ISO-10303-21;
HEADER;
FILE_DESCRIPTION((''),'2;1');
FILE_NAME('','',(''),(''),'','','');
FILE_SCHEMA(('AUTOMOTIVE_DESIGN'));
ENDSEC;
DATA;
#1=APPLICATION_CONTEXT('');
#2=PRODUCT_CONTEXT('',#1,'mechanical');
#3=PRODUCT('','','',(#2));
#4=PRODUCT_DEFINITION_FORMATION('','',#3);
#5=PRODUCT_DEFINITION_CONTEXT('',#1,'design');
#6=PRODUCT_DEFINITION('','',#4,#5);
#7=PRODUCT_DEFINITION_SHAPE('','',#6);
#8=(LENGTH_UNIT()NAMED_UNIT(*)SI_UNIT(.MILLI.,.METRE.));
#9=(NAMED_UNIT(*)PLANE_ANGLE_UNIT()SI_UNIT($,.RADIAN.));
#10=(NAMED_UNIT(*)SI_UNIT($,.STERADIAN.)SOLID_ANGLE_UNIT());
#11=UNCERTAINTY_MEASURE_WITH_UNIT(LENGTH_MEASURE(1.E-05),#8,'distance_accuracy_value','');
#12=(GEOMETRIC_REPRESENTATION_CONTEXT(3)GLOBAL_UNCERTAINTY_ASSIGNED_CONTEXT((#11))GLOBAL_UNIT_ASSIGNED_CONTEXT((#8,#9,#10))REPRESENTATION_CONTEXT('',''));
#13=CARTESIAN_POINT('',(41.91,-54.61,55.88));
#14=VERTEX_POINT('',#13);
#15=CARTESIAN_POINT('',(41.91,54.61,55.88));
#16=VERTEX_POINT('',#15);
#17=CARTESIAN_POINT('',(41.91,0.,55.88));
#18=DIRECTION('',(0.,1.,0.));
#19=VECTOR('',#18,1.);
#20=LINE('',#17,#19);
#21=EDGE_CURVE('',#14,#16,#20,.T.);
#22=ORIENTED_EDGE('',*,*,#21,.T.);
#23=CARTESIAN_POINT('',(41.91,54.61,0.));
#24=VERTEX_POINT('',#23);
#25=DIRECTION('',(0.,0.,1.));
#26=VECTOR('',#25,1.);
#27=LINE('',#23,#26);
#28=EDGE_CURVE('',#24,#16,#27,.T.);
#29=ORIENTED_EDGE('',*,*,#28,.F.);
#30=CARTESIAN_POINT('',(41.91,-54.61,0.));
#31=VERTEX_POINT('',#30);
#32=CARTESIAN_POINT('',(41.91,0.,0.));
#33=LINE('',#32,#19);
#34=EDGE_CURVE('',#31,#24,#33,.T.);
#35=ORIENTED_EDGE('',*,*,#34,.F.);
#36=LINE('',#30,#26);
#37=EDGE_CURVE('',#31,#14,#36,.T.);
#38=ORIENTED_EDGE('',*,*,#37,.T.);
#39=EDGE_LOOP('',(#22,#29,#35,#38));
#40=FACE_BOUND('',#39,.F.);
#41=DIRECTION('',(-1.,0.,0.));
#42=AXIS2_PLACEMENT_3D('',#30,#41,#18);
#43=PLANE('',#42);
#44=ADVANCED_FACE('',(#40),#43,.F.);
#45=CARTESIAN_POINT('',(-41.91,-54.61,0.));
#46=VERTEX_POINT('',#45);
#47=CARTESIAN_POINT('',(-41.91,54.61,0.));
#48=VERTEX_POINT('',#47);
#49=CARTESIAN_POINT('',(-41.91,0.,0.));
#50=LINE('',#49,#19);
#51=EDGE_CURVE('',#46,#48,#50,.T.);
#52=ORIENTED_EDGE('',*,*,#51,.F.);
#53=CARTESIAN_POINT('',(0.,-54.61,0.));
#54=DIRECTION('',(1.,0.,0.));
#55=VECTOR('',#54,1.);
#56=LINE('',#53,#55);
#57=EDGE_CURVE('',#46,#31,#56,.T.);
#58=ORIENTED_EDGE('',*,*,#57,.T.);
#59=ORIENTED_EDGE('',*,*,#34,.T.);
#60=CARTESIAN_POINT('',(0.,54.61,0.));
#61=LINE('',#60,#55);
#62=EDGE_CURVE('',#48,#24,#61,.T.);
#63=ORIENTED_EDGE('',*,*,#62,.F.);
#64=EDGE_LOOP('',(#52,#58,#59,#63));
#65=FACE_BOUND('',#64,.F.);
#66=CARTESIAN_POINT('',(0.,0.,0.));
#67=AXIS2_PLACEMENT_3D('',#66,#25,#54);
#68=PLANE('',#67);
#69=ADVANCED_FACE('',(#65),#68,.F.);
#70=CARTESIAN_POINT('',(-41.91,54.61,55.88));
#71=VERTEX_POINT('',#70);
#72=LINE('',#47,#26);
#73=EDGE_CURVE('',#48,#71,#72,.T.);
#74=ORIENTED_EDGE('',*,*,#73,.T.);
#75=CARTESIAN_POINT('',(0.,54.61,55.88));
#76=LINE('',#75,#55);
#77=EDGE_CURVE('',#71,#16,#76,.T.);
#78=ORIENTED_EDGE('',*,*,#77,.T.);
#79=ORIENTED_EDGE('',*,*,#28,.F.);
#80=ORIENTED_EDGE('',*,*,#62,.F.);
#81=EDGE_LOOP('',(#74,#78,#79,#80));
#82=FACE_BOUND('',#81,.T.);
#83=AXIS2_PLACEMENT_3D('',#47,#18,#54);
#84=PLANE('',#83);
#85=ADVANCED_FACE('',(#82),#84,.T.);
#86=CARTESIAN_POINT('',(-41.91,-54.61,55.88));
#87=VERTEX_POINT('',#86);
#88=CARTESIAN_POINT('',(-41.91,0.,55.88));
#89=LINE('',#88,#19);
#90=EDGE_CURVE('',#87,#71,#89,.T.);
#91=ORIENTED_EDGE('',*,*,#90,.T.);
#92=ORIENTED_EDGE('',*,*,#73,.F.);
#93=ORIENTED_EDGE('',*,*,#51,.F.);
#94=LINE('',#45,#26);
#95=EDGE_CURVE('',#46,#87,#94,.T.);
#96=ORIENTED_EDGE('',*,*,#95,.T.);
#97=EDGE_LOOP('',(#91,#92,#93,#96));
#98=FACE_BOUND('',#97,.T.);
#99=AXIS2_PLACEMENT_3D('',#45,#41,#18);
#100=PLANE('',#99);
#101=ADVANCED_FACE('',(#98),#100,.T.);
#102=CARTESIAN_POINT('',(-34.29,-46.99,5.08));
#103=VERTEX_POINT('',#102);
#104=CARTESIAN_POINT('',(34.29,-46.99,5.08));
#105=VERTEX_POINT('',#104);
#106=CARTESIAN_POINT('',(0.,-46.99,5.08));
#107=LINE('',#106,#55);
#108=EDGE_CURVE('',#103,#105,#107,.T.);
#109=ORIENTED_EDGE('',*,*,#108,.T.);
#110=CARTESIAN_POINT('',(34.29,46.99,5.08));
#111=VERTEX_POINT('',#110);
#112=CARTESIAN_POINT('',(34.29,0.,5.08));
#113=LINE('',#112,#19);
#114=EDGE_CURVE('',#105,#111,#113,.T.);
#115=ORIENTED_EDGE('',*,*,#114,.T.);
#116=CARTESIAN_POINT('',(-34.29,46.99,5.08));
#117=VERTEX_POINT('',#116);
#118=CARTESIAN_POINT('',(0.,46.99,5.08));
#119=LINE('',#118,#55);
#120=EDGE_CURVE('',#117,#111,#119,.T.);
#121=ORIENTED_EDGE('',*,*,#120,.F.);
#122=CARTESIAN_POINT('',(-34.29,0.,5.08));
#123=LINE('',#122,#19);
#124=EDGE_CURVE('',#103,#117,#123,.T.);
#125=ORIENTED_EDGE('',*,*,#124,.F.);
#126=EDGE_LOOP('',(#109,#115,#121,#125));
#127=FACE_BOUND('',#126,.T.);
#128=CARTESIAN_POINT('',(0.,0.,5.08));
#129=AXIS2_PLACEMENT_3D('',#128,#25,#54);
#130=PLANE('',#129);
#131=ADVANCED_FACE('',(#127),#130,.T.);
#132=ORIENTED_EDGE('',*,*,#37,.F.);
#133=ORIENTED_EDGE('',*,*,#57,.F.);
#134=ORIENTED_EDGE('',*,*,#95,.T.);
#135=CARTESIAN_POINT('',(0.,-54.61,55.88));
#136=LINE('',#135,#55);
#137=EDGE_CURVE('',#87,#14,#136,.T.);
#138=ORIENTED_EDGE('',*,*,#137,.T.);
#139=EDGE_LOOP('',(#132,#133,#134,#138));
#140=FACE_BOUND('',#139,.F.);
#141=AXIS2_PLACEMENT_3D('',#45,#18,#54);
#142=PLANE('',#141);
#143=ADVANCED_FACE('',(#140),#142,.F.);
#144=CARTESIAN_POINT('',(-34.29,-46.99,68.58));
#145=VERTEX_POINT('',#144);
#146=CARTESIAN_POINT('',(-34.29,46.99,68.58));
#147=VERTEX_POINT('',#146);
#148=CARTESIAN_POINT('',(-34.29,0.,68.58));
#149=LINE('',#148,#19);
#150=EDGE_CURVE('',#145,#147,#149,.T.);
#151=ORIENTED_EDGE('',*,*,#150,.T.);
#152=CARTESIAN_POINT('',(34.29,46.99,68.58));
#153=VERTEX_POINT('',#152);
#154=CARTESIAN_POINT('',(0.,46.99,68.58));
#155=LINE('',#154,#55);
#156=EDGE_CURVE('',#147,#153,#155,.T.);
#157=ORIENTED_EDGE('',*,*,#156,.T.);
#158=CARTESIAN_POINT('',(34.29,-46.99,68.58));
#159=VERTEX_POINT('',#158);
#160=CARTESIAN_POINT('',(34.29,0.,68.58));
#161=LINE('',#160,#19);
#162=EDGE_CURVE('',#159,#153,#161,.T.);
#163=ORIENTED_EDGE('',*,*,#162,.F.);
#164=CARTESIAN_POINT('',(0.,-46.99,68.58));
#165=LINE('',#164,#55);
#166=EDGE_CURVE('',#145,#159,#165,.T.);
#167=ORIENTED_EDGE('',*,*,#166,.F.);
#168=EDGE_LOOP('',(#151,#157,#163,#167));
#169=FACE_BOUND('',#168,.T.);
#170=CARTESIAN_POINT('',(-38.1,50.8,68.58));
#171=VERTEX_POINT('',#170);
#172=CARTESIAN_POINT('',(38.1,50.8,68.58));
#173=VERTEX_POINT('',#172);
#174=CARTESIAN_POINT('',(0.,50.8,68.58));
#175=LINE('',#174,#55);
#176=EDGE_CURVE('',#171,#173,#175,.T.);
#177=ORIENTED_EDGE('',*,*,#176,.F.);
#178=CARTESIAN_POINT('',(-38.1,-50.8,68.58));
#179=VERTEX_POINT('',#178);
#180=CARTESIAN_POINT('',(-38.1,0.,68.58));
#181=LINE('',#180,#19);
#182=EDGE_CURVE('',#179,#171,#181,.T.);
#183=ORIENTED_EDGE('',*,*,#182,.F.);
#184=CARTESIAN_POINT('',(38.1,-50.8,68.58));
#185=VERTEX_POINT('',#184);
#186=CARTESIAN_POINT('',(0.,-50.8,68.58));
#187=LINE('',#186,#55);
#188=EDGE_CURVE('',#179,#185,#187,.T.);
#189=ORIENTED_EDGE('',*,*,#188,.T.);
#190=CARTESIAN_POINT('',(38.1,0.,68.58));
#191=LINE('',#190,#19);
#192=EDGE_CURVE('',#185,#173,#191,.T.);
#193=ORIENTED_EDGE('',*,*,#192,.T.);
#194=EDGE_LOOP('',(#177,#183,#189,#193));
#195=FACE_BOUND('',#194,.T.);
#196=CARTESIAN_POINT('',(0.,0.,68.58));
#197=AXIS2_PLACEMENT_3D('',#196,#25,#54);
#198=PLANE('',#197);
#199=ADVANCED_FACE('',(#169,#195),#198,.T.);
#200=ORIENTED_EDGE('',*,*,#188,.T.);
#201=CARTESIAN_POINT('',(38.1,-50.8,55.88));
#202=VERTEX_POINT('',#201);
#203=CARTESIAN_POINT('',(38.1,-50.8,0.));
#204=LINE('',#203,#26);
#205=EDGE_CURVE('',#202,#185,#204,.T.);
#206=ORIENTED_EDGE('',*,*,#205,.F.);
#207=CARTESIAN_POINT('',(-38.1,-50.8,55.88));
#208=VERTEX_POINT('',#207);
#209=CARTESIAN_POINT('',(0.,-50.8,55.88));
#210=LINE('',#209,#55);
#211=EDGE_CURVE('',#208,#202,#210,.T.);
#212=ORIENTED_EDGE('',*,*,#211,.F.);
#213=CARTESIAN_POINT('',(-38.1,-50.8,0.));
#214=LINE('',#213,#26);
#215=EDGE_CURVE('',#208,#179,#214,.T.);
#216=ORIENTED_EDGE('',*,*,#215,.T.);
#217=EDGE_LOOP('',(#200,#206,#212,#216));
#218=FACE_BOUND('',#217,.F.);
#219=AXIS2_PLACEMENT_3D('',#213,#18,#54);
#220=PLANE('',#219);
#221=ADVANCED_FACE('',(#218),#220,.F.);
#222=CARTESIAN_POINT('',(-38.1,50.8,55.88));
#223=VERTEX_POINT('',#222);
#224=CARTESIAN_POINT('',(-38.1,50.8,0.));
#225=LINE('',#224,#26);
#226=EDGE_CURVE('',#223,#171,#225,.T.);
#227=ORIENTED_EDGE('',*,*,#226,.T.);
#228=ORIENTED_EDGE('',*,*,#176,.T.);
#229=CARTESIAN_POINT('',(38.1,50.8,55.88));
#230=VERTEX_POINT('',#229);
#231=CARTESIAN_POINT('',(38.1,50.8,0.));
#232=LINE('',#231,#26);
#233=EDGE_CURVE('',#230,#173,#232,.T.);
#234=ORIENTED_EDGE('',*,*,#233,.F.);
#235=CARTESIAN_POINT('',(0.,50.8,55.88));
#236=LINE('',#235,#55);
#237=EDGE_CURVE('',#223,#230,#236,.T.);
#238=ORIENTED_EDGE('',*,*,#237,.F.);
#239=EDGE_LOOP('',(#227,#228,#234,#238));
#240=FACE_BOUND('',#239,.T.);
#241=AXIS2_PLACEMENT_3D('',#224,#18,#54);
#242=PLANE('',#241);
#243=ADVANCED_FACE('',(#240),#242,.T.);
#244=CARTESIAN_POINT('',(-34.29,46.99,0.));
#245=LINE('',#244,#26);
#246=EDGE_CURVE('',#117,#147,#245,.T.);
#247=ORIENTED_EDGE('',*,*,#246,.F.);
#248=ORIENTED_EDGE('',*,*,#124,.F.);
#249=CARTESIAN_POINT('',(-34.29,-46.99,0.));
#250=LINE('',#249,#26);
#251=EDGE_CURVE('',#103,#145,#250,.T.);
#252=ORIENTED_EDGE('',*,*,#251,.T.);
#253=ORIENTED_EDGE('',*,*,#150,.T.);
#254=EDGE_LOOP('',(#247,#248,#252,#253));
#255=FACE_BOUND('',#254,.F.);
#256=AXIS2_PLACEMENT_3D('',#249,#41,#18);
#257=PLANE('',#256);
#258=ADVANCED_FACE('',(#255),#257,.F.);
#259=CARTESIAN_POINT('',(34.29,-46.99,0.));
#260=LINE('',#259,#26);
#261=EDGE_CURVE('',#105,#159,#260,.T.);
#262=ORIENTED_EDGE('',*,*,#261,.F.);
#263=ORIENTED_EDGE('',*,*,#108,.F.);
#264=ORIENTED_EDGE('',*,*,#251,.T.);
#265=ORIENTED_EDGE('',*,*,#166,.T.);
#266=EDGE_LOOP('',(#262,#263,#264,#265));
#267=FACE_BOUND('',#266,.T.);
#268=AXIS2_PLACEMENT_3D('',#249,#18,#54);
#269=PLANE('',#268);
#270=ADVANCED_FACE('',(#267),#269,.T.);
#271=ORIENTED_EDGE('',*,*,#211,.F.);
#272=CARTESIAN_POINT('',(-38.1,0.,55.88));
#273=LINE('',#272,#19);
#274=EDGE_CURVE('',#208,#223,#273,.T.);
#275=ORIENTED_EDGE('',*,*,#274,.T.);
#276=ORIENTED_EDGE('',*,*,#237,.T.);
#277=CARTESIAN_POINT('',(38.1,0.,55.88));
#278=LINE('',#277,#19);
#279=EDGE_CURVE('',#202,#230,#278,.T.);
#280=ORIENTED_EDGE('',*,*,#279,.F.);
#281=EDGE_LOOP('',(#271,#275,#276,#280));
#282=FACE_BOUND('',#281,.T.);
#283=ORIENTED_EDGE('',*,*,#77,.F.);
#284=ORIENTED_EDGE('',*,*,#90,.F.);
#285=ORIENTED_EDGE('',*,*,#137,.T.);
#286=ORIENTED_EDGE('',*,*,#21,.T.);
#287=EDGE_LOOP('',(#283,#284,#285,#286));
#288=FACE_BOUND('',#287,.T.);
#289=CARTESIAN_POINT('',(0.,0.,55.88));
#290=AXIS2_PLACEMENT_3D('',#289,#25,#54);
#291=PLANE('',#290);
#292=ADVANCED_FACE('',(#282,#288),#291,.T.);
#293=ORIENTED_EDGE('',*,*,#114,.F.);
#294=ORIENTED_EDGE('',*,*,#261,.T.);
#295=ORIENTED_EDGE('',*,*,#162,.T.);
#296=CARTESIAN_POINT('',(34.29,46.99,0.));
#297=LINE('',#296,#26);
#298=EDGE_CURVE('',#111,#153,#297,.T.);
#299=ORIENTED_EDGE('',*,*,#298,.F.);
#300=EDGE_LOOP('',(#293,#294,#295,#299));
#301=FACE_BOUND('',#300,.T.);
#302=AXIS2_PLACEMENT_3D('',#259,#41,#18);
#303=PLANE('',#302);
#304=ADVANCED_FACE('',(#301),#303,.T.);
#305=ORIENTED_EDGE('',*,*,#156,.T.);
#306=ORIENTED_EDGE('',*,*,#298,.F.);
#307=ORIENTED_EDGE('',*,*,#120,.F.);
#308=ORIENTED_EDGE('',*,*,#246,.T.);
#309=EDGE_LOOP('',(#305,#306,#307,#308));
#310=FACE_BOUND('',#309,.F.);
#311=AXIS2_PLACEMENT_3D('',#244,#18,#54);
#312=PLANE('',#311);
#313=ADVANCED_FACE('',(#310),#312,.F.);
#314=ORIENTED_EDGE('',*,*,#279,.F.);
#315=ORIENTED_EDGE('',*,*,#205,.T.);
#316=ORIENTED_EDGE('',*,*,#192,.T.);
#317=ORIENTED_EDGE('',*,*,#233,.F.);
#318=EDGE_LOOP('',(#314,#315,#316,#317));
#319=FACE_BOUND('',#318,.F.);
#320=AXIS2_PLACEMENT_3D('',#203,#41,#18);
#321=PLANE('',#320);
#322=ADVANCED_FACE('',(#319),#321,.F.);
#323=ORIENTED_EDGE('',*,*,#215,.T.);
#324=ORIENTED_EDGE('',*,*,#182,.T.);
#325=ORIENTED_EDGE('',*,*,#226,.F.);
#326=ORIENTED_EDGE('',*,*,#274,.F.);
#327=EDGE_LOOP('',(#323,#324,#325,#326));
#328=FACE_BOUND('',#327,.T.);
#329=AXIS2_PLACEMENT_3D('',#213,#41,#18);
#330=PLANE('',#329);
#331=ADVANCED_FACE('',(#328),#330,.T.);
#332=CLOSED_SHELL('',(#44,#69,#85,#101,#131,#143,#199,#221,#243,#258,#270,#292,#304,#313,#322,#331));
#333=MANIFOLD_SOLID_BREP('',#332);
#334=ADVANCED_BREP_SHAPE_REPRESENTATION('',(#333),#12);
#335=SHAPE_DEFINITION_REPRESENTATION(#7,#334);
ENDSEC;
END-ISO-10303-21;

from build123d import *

# Parameters (mm, degrees)
F0_W     = 76.2
F0_H     = 101.6
F0_W_2   = 68.58
F0_H_2   = 93.98
F1_DEPTH = 68.58
F0_W_3   = 83.82
F0_H_3   = 109.22
F2_DEPTH = 55.88
F3_W     = 68.58
F3_H     = 93.98
F4_DEPTH = 5.08


with BuildPart() as f1:
    # F0 (on Top) → F1 (new body)
    with BuildSketch(Plane.XY):
        Rectangle(F0_W, F0_H)
        Rectangle(F0_W_2, F0_H_2, mode=Mode.SUBTRACT)
    extrude(amount=F1_DEPTH)

    # F0 (on Top) → F2 (join)
    with BuildSketch(Plane.XY):
        Rectangle(F0_W_3, F0_H_3)
        Rectangle(F0_W, F0_H, mode=Mode.SUBTRACT)
    extrude(amount=F2_DEPTH)

    # F3 (on Top) → F4 (join)
    with BuildSketch(Plane.XY):
        Rectangle(F3_W, F3_H)
    extrude(amount=F4_DEPTH)


solid = f1.part
